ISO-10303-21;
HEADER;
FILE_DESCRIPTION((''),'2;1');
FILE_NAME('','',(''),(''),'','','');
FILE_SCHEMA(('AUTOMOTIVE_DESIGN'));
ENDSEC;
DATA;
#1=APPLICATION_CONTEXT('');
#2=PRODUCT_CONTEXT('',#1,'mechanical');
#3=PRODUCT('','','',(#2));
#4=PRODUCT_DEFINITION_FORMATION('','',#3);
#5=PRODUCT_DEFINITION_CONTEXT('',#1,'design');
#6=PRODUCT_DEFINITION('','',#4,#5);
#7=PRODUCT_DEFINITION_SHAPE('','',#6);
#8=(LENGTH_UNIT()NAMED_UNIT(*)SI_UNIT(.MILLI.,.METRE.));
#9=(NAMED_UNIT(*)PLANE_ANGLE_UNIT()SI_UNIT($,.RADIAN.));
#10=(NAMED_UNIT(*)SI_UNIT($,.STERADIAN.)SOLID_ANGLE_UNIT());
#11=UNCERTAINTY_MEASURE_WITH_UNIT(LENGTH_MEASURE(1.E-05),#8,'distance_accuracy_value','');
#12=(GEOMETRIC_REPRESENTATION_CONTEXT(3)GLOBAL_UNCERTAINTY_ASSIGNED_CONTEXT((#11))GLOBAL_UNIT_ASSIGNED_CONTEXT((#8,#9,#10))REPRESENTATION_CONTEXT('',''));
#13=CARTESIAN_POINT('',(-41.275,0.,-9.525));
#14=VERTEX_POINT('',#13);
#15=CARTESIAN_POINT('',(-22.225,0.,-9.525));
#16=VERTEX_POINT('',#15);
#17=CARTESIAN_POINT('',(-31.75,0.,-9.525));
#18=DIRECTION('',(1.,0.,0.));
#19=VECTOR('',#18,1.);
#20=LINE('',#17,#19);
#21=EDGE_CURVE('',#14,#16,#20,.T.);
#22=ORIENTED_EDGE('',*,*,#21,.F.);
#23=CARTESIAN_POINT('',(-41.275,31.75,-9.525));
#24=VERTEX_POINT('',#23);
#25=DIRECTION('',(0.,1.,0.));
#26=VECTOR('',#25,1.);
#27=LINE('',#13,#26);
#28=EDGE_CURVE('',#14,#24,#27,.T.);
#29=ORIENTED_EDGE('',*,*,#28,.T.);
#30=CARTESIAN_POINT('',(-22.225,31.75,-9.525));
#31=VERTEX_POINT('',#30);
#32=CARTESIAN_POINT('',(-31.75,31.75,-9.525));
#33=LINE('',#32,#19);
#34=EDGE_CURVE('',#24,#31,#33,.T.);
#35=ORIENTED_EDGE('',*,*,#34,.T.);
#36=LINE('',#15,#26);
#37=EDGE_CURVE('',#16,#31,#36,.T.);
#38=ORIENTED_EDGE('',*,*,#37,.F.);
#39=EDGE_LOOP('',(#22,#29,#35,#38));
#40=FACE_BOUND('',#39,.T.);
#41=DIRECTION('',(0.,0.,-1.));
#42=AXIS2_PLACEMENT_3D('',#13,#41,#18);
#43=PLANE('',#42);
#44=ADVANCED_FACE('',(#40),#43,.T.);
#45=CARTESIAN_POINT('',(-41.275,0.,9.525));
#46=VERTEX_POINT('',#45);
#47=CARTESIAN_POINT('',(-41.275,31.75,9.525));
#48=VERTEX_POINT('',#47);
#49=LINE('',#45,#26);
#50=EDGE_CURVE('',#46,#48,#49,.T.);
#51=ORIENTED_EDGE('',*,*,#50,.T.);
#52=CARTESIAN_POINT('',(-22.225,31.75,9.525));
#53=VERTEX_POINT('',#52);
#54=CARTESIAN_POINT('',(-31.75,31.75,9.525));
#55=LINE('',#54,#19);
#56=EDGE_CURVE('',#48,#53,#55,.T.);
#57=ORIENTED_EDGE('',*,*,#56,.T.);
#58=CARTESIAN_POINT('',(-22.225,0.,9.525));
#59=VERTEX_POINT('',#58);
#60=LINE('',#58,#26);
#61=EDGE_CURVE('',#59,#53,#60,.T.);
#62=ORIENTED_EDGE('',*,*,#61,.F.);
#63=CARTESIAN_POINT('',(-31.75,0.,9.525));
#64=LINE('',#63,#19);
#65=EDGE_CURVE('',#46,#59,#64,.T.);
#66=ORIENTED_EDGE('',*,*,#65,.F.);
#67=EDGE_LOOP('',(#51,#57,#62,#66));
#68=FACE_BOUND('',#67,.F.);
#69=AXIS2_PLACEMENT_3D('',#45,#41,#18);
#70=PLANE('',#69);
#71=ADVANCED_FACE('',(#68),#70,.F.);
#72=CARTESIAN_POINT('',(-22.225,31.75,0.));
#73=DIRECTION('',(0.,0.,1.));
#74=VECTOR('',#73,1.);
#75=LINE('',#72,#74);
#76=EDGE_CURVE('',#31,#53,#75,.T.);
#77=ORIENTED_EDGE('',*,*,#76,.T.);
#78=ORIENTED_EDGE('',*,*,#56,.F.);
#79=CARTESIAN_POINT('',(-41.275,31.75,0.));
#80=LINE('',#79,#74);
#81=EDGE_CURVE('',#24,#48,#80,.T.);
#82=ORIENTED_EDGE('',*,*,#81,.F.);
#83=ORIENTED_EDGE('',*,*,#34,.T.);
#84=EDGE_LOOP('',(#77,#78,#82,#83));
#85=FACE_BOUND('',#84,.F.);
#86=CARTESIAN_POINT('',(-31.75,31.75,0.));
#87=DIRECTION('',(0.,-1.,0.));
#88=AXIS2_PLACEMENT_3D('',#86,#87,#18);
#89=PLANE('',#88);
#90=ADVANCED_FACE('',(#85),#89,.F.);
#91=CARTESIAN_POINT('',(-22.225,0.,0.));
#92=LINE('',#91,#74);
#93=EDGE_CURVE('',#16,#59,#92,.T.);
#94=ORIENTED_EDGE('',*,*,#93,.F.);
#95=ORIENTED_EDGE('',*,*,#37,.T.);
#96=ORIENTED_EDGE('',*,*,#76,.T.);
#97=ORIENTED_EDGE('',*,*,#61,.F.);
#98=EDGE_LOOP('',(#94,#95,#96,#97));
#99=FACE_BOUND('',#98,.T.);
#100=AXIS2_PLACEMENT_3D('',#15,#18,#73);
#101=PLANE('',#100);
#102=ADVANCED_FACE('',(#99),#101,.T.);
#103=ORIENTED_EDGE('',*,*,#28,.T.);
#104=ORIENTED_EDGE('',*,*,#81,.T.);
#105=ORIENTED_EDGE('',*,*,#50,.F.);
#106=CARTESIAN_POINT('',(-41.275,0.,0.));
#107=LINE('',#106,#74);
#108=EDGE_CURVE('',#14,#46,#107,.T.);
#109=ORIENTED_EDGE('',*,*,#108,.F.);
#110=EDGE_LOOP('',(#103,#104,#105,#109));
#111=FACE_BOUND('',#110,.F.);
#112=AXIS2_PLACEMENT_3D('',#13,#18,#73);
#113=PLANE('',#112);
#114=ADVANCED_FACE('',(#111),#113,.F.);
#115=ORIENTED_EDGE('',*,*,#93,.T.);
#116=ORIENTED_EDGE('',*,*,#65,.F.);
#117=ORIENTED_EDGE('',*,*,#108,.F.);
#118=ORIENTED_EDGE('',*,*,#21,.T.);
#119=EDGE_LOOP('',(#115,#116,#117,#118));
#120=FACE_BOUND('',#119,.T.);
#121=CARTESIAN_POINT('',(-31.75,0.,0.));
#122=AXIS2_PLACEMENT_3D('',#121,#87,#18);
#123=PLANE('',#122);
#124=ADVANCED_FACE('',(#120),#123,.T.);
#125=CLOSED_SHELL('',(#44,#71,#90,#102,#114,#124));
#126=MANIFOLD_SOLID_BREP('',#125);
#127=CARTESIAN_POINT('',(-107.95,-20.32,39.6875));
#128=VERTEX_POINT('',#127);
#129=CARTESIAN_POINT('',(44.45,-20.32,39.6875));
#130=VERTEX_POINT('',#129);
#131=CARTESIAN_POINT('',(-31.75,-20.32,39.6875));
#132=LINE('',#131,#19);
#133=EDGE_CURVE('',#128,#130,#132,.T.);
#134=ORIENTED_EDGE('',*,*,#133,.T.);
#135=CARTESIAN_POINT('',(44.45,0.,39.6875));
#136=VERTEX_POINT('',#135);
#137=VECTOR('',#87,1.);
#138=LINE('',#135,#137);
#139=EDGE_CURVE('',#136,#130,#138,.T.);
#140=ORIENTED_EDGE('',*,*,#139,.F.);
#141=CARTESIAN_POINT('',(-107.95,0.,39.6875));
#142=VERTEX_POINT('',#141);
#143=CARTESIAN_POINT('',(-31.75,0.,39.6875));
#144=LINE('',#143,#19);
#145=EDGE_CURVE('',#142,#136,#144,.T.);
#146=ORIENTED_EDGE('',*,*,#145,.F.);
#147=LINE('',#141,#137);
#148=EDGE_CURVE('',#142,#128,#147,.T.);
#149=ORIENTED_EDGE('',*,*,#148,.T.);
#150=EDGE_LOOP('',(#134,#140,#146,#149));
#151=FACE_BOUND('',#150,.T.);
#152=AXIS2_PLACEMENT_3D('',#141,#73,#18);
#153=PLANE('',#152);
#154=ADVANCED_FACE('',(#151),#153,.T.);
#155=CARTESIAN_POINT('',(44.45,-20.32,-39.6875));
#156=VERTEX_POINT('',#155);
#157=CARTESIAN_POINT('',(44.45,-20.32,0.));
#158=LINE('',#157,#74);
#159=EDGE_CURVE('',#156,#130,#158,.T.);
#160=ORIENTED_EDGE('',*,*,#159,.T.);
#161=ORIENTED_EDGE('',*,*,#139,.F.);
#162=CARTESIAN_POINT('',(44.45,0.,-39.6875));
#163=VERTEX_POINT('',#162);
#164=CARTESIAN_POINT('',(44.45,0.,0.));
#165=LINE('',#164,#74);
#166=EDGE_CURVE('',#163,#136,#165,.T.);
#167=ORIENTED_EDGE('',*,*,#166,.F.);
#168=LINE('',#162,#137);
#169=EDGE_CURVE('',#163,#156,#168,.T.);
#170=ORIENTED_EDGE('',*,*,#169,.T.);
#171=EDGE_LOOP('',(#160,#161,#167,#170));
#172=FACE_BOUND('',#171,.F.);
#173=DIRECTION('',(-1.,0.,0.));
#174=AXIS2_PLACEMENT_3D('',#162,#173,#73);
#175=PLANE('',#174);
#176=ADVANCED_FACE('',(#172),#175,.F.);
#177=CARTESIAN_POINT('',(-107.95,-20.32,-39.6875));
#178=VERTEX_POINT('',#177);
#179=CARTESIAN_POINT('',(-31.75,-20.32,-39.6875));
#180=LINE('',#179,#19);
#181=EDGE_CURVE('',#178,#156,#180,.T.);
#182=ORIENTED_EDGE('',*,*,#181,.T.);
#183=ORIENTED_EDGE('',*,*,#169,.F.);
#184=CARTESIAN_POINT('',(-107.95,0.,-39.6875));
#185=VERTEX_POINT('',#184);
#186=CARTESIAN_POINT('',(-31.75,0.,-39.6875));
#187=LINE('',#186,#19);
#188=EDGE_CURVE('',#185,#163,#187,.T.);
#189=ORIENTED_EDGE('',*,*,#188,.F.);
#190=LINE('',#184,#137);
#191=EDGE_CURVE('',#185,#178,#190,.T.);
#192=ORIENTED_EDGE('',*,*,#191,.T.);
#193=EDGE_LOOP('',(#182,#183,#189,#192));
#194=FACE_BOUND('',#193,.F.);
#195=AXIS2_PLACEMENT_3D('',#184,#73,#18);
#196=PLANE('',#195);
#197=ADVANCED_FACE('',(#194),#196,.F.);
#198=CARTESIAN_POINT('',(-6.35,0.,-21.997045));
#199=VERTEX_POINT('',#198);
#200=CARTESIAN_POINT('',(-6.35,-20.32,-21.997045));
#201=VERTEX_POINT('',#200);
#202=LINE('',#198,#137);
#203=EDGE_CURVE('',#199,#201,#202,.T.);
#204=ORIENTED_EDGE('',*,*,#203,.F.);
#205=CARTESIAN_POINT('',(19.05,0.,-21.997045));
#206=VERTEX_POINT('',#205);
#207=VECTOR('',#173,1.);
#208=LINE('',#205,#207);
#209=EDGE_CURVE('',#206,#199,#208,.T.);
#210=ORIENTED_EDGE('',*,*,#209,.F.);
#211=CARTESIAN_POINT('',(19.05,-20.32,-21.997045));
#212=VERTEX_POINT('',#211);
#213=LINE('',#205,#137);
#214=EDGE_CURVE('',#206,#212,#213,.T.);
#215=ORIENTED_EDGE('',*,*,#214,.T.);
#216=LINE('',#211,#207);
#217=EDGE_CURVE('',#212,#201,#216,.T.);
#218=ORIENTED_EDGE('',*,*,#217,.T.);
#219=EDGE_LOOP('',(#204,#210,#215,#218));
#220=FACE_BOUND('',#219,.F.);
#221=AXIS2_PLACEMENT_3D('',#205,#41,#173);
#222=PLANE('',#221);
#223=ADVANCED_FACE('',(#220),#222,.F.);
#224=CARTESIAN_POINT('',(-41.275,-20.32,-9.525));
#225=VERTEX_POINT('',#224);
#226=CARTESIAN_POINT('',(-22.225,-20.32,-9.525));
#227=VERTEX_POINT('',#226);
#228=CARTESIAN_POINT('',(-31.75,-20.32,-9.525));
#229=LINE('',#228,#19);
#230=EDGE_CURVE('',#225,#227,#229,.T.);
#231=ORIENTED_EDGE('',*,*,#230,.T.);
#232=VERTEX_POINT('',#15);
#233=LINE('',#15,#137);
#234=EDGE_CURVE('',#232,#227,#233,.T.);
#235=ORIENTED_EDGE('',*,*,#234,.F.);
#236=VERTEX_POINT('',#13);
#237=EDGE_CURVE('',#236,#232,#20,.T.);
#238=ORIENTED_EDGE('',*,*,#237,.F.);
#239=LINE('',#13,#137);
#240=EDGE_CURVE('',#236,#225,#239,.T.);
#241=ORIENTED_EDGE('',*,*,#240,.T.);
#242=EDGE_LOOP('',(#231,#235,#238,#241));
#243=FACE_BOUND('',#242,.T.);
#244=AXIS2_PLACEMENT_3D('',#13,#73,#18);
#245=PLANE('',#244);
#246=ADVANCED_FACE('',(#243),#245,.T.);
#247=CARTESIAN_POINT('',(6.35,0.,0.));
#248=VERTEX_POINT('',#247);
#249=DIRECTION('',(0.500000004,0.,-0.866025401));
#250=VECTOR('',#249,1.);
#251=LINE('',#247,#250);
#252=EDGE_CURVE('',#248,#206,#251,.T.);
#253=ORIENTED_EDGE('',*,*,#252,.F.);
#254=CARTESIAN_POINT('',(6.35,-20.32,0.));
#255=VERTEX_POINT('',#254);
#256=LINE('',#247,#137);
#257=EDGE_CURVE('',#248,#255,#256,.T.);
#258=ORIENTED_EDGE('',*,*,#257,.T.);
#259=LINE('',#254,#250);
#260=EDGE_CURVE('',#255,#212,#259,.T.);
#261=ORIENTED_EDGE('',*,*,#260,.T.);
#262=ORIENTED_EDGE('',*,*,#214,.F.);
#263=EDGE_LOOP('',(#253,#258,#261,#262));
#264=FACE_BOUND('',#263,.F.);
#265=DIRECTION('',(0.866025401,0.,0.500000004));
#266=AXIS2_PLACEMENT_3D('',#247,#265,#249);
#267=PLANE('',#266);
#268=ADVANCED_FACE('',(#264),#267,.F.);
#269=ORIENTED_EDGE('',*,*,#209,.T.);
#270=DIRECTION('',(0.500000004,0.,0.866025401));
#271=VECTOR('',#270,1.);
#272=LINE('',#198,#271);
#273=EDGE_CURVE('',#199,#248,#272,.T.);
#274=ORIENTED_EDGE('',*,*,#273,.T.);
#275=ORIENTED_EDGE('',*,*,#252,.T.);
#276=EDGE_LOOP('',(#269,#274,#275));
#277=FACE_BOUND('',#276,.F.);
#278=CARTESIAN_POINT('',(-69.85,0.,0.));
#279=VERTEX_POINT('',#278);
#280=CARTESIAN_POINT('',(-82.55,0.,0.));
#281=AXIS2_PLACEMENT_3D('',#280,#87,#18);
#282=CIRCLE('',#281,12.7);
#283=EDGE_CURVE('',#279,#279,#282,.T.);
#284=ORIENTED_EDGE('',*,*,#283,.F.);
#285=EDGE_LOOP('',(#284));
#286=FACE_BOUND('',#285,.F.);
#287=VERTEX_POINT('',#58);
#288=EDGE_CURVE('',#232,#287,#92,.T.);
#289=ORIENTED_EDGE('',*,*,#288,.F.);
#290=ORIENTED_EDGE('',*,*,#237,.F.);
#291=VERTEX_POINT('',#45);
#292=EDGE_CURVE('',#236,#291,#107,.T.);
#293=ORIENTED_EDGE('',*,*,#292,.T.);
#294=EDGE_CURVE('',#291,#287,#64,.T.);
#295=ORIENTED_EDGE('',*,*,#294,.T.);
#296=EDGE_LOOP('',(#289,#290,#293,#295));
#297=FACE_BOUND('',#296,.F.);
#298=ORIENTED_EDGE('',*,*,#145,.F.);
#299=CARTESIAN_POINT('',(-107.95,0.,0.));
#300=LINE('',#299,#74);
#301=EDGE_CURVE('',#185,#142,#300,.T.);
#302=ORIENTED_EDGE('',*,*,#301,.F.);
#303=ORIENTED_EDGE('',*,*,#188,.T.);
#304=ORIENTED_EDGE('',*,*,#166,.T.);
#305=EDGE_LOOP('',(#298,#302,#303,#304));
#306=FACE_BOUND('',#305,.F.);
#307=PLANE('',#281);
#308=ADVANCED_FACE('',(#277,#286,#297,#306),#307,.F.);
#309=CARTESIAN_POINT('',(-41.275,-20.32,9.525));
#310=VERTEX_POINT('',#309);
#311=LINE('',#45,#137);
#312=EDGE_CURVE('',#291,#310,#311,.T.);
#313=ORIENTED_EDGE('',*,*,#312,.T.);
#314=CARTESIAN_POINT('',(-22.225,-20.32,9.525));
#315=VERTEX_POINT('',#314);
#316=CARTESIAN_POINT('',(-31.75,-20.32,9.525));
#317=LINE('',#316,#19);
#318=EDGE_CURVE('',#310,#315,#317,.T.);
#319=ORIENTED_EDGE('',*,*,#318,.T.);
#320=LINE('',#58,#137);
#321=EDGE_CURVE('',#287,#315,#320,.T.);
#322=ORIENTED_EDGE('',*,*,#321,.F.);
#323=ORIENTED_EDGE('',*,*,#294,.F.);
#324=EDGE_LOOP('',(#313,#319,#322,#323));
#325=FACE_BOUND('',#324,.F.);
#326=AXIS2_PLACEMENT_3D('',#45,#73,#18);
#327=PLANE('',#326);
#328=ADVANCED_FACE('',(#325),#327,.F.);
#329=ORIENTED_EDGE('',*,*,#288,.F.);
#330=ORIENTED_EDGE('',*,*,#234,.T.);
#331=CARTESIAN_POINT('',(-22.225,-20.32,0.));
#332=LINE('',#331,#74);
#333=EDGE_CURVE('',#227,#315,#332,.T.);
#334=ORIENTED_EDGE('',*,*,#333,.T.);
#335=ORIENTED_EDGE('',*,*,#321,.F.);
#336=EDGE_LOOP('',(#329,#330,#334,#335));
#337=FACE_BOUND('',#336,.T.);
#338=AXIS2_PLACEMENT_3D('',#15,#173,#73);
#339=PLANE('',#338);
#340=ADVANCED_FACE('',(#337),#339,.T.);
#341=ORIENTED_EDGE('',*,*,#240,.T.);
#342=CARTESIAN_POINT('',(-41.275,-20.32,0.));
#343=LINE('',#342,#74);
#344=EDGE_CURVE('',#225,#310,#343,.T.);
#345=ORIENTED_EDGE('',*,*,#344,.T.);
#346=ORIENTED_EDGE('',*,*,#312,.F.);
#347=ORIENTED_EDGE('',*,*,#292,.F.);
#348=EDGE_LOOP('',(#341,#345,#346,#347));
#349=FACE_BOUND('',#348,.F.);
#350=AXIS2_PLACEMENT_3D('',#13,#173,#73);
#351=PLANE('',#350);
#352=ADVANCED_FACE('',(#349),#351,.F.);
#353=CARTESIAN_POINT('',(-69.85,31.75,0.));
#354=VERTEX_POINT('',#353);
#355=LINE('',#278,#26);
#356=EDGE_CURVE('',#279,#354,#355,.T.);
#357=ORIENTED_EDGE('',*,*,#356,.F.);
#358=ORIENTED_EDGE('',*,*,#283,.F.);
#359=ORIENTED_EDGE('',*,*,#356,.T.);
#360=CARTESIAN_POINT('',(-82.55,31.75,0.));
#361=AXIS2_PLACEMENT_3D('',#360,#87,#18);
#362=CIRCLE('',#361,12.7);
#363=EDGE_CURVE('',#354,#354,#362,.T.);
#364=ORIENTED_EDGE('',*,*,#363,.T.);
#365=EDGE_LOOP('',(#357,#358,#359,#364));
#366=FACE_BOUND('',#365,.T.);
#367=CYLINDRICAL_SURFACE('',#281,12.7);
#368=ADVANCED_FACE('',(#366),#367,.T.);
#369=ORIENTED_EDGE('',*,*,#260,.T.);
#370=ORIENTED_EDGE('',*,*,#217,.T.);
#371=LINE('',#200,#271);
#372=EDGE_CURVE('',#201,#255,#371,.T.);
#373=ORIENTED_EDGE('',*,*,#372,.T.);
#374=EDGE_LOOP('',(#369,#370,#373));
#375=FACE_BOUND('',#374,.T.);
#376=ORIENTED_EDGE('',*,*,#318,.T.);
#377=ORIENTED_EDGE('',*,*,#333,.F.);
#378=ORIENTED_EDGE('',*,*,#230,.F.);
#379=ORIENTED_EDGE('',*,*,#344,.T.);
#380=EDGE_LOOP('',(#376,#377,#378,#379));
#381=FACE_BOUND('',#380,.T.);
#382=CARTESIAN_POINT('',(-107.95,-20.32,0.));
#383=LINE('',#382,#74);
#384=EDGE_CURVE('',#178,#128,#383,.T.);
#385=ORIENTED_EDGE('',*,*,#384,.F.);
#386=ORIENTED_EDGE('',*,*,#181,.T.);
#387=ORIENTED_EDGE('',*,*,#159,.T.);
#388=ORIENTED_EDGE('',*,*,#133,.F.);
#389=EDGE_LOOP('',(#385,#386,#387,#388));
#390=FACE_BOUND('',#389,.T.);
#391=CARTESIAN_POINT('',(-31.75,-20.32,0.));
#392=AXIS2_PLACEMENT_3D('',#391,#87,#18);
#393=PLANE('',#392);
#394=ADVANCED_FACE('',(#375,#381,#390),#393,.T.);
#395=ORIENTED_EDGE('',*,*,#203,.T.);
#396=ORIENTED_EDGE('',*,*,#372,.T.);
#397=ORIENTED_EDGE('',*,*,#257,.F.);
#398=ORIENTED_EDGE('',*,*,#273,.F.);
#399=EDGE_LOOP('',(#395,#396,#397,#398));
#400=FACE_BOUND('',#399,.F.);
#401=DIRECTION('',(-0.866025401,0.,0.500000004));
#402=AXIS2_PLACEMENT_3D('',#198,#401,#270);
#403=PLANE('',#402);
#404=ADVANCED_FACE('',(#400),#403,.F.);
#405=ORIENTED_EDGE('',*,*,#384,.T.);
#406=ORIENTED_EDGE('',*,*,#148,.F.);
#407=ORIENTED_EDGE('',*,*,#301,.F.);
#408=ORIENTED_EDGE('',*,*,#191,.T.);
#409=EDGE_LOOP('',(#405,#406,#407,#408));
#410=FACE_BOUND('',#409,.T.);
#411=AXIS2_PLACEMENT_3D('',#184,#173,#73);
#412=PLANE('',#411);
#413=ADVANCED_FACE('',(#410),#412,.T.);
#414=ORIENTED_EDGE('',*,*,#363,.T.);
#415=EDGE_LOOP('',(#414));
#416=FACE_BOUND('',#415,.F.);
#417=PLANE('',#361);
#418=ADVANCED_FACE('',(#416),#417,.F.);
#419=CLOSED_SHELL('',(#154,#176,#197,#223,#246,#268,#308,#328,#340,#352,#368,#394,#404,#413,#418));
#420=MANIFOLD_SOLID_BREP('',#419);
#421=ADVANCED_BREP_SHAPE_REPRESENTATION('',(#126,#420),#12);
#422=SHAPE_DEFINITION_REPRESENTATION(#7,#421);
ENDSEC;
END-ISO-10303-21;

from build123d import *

# Parameters (mm, degrees)
F0_W     = 152.4
F0_H     = 79.375
F0_R     = 12.7
F0_W_2   = 19.05
F0_H_2   = 19.05
F1_DEPTH = 20.32
F2_DEPTH = 31.75
F3_DEPTH = 20.32
F4_DEPTH = 31.75


with BuildPart() as f1:
    # F0 (on Front) → F1 (new body)
    with BuildSketch(Plane.XZ):
        with Locations((-31.75, 0)):
            Rectangle(F0_W, F0_H)
        Polygon((-6.35, -21.997045), (6.35, 0), (19.05, -21.997045), align=None, mode=Mode.SUBTRACT)
        with Locations((-82.55, 0)):
            Circle(F0_R, mode=Mode.SUBTRACT)
        with Locations((-31.75, 0)):
            Rectangle(F0_W_2, F0_H_2, mode=Mode.SUBTRACT)
    extrude(amount=F1_DEPTH)

    # F0 (on Front) → F2 (join)
    with BuildSketch(Plane.XZ):
        with Locations((-31.75, 0)):
            Rectangle(F0_W_2, F0_H_2)
    extrude(amount=-F2_DEPTH)

    # F0 (on Front) → F3 (join)
    with BuildSketch(Plane.XZ):
        with Locations((-82.55, 0)):
            Circle(F0_R)
    extrude(amount=F3_DEPTH)

    # F0 (on Front) → F4 (join)
    with BuildSketch(Plane.XZ):
        with Locations((-82.55, 0)):
            Circle(F0_R)
    extrude(amount=-F4_DEPTH)


solid = f1.part
